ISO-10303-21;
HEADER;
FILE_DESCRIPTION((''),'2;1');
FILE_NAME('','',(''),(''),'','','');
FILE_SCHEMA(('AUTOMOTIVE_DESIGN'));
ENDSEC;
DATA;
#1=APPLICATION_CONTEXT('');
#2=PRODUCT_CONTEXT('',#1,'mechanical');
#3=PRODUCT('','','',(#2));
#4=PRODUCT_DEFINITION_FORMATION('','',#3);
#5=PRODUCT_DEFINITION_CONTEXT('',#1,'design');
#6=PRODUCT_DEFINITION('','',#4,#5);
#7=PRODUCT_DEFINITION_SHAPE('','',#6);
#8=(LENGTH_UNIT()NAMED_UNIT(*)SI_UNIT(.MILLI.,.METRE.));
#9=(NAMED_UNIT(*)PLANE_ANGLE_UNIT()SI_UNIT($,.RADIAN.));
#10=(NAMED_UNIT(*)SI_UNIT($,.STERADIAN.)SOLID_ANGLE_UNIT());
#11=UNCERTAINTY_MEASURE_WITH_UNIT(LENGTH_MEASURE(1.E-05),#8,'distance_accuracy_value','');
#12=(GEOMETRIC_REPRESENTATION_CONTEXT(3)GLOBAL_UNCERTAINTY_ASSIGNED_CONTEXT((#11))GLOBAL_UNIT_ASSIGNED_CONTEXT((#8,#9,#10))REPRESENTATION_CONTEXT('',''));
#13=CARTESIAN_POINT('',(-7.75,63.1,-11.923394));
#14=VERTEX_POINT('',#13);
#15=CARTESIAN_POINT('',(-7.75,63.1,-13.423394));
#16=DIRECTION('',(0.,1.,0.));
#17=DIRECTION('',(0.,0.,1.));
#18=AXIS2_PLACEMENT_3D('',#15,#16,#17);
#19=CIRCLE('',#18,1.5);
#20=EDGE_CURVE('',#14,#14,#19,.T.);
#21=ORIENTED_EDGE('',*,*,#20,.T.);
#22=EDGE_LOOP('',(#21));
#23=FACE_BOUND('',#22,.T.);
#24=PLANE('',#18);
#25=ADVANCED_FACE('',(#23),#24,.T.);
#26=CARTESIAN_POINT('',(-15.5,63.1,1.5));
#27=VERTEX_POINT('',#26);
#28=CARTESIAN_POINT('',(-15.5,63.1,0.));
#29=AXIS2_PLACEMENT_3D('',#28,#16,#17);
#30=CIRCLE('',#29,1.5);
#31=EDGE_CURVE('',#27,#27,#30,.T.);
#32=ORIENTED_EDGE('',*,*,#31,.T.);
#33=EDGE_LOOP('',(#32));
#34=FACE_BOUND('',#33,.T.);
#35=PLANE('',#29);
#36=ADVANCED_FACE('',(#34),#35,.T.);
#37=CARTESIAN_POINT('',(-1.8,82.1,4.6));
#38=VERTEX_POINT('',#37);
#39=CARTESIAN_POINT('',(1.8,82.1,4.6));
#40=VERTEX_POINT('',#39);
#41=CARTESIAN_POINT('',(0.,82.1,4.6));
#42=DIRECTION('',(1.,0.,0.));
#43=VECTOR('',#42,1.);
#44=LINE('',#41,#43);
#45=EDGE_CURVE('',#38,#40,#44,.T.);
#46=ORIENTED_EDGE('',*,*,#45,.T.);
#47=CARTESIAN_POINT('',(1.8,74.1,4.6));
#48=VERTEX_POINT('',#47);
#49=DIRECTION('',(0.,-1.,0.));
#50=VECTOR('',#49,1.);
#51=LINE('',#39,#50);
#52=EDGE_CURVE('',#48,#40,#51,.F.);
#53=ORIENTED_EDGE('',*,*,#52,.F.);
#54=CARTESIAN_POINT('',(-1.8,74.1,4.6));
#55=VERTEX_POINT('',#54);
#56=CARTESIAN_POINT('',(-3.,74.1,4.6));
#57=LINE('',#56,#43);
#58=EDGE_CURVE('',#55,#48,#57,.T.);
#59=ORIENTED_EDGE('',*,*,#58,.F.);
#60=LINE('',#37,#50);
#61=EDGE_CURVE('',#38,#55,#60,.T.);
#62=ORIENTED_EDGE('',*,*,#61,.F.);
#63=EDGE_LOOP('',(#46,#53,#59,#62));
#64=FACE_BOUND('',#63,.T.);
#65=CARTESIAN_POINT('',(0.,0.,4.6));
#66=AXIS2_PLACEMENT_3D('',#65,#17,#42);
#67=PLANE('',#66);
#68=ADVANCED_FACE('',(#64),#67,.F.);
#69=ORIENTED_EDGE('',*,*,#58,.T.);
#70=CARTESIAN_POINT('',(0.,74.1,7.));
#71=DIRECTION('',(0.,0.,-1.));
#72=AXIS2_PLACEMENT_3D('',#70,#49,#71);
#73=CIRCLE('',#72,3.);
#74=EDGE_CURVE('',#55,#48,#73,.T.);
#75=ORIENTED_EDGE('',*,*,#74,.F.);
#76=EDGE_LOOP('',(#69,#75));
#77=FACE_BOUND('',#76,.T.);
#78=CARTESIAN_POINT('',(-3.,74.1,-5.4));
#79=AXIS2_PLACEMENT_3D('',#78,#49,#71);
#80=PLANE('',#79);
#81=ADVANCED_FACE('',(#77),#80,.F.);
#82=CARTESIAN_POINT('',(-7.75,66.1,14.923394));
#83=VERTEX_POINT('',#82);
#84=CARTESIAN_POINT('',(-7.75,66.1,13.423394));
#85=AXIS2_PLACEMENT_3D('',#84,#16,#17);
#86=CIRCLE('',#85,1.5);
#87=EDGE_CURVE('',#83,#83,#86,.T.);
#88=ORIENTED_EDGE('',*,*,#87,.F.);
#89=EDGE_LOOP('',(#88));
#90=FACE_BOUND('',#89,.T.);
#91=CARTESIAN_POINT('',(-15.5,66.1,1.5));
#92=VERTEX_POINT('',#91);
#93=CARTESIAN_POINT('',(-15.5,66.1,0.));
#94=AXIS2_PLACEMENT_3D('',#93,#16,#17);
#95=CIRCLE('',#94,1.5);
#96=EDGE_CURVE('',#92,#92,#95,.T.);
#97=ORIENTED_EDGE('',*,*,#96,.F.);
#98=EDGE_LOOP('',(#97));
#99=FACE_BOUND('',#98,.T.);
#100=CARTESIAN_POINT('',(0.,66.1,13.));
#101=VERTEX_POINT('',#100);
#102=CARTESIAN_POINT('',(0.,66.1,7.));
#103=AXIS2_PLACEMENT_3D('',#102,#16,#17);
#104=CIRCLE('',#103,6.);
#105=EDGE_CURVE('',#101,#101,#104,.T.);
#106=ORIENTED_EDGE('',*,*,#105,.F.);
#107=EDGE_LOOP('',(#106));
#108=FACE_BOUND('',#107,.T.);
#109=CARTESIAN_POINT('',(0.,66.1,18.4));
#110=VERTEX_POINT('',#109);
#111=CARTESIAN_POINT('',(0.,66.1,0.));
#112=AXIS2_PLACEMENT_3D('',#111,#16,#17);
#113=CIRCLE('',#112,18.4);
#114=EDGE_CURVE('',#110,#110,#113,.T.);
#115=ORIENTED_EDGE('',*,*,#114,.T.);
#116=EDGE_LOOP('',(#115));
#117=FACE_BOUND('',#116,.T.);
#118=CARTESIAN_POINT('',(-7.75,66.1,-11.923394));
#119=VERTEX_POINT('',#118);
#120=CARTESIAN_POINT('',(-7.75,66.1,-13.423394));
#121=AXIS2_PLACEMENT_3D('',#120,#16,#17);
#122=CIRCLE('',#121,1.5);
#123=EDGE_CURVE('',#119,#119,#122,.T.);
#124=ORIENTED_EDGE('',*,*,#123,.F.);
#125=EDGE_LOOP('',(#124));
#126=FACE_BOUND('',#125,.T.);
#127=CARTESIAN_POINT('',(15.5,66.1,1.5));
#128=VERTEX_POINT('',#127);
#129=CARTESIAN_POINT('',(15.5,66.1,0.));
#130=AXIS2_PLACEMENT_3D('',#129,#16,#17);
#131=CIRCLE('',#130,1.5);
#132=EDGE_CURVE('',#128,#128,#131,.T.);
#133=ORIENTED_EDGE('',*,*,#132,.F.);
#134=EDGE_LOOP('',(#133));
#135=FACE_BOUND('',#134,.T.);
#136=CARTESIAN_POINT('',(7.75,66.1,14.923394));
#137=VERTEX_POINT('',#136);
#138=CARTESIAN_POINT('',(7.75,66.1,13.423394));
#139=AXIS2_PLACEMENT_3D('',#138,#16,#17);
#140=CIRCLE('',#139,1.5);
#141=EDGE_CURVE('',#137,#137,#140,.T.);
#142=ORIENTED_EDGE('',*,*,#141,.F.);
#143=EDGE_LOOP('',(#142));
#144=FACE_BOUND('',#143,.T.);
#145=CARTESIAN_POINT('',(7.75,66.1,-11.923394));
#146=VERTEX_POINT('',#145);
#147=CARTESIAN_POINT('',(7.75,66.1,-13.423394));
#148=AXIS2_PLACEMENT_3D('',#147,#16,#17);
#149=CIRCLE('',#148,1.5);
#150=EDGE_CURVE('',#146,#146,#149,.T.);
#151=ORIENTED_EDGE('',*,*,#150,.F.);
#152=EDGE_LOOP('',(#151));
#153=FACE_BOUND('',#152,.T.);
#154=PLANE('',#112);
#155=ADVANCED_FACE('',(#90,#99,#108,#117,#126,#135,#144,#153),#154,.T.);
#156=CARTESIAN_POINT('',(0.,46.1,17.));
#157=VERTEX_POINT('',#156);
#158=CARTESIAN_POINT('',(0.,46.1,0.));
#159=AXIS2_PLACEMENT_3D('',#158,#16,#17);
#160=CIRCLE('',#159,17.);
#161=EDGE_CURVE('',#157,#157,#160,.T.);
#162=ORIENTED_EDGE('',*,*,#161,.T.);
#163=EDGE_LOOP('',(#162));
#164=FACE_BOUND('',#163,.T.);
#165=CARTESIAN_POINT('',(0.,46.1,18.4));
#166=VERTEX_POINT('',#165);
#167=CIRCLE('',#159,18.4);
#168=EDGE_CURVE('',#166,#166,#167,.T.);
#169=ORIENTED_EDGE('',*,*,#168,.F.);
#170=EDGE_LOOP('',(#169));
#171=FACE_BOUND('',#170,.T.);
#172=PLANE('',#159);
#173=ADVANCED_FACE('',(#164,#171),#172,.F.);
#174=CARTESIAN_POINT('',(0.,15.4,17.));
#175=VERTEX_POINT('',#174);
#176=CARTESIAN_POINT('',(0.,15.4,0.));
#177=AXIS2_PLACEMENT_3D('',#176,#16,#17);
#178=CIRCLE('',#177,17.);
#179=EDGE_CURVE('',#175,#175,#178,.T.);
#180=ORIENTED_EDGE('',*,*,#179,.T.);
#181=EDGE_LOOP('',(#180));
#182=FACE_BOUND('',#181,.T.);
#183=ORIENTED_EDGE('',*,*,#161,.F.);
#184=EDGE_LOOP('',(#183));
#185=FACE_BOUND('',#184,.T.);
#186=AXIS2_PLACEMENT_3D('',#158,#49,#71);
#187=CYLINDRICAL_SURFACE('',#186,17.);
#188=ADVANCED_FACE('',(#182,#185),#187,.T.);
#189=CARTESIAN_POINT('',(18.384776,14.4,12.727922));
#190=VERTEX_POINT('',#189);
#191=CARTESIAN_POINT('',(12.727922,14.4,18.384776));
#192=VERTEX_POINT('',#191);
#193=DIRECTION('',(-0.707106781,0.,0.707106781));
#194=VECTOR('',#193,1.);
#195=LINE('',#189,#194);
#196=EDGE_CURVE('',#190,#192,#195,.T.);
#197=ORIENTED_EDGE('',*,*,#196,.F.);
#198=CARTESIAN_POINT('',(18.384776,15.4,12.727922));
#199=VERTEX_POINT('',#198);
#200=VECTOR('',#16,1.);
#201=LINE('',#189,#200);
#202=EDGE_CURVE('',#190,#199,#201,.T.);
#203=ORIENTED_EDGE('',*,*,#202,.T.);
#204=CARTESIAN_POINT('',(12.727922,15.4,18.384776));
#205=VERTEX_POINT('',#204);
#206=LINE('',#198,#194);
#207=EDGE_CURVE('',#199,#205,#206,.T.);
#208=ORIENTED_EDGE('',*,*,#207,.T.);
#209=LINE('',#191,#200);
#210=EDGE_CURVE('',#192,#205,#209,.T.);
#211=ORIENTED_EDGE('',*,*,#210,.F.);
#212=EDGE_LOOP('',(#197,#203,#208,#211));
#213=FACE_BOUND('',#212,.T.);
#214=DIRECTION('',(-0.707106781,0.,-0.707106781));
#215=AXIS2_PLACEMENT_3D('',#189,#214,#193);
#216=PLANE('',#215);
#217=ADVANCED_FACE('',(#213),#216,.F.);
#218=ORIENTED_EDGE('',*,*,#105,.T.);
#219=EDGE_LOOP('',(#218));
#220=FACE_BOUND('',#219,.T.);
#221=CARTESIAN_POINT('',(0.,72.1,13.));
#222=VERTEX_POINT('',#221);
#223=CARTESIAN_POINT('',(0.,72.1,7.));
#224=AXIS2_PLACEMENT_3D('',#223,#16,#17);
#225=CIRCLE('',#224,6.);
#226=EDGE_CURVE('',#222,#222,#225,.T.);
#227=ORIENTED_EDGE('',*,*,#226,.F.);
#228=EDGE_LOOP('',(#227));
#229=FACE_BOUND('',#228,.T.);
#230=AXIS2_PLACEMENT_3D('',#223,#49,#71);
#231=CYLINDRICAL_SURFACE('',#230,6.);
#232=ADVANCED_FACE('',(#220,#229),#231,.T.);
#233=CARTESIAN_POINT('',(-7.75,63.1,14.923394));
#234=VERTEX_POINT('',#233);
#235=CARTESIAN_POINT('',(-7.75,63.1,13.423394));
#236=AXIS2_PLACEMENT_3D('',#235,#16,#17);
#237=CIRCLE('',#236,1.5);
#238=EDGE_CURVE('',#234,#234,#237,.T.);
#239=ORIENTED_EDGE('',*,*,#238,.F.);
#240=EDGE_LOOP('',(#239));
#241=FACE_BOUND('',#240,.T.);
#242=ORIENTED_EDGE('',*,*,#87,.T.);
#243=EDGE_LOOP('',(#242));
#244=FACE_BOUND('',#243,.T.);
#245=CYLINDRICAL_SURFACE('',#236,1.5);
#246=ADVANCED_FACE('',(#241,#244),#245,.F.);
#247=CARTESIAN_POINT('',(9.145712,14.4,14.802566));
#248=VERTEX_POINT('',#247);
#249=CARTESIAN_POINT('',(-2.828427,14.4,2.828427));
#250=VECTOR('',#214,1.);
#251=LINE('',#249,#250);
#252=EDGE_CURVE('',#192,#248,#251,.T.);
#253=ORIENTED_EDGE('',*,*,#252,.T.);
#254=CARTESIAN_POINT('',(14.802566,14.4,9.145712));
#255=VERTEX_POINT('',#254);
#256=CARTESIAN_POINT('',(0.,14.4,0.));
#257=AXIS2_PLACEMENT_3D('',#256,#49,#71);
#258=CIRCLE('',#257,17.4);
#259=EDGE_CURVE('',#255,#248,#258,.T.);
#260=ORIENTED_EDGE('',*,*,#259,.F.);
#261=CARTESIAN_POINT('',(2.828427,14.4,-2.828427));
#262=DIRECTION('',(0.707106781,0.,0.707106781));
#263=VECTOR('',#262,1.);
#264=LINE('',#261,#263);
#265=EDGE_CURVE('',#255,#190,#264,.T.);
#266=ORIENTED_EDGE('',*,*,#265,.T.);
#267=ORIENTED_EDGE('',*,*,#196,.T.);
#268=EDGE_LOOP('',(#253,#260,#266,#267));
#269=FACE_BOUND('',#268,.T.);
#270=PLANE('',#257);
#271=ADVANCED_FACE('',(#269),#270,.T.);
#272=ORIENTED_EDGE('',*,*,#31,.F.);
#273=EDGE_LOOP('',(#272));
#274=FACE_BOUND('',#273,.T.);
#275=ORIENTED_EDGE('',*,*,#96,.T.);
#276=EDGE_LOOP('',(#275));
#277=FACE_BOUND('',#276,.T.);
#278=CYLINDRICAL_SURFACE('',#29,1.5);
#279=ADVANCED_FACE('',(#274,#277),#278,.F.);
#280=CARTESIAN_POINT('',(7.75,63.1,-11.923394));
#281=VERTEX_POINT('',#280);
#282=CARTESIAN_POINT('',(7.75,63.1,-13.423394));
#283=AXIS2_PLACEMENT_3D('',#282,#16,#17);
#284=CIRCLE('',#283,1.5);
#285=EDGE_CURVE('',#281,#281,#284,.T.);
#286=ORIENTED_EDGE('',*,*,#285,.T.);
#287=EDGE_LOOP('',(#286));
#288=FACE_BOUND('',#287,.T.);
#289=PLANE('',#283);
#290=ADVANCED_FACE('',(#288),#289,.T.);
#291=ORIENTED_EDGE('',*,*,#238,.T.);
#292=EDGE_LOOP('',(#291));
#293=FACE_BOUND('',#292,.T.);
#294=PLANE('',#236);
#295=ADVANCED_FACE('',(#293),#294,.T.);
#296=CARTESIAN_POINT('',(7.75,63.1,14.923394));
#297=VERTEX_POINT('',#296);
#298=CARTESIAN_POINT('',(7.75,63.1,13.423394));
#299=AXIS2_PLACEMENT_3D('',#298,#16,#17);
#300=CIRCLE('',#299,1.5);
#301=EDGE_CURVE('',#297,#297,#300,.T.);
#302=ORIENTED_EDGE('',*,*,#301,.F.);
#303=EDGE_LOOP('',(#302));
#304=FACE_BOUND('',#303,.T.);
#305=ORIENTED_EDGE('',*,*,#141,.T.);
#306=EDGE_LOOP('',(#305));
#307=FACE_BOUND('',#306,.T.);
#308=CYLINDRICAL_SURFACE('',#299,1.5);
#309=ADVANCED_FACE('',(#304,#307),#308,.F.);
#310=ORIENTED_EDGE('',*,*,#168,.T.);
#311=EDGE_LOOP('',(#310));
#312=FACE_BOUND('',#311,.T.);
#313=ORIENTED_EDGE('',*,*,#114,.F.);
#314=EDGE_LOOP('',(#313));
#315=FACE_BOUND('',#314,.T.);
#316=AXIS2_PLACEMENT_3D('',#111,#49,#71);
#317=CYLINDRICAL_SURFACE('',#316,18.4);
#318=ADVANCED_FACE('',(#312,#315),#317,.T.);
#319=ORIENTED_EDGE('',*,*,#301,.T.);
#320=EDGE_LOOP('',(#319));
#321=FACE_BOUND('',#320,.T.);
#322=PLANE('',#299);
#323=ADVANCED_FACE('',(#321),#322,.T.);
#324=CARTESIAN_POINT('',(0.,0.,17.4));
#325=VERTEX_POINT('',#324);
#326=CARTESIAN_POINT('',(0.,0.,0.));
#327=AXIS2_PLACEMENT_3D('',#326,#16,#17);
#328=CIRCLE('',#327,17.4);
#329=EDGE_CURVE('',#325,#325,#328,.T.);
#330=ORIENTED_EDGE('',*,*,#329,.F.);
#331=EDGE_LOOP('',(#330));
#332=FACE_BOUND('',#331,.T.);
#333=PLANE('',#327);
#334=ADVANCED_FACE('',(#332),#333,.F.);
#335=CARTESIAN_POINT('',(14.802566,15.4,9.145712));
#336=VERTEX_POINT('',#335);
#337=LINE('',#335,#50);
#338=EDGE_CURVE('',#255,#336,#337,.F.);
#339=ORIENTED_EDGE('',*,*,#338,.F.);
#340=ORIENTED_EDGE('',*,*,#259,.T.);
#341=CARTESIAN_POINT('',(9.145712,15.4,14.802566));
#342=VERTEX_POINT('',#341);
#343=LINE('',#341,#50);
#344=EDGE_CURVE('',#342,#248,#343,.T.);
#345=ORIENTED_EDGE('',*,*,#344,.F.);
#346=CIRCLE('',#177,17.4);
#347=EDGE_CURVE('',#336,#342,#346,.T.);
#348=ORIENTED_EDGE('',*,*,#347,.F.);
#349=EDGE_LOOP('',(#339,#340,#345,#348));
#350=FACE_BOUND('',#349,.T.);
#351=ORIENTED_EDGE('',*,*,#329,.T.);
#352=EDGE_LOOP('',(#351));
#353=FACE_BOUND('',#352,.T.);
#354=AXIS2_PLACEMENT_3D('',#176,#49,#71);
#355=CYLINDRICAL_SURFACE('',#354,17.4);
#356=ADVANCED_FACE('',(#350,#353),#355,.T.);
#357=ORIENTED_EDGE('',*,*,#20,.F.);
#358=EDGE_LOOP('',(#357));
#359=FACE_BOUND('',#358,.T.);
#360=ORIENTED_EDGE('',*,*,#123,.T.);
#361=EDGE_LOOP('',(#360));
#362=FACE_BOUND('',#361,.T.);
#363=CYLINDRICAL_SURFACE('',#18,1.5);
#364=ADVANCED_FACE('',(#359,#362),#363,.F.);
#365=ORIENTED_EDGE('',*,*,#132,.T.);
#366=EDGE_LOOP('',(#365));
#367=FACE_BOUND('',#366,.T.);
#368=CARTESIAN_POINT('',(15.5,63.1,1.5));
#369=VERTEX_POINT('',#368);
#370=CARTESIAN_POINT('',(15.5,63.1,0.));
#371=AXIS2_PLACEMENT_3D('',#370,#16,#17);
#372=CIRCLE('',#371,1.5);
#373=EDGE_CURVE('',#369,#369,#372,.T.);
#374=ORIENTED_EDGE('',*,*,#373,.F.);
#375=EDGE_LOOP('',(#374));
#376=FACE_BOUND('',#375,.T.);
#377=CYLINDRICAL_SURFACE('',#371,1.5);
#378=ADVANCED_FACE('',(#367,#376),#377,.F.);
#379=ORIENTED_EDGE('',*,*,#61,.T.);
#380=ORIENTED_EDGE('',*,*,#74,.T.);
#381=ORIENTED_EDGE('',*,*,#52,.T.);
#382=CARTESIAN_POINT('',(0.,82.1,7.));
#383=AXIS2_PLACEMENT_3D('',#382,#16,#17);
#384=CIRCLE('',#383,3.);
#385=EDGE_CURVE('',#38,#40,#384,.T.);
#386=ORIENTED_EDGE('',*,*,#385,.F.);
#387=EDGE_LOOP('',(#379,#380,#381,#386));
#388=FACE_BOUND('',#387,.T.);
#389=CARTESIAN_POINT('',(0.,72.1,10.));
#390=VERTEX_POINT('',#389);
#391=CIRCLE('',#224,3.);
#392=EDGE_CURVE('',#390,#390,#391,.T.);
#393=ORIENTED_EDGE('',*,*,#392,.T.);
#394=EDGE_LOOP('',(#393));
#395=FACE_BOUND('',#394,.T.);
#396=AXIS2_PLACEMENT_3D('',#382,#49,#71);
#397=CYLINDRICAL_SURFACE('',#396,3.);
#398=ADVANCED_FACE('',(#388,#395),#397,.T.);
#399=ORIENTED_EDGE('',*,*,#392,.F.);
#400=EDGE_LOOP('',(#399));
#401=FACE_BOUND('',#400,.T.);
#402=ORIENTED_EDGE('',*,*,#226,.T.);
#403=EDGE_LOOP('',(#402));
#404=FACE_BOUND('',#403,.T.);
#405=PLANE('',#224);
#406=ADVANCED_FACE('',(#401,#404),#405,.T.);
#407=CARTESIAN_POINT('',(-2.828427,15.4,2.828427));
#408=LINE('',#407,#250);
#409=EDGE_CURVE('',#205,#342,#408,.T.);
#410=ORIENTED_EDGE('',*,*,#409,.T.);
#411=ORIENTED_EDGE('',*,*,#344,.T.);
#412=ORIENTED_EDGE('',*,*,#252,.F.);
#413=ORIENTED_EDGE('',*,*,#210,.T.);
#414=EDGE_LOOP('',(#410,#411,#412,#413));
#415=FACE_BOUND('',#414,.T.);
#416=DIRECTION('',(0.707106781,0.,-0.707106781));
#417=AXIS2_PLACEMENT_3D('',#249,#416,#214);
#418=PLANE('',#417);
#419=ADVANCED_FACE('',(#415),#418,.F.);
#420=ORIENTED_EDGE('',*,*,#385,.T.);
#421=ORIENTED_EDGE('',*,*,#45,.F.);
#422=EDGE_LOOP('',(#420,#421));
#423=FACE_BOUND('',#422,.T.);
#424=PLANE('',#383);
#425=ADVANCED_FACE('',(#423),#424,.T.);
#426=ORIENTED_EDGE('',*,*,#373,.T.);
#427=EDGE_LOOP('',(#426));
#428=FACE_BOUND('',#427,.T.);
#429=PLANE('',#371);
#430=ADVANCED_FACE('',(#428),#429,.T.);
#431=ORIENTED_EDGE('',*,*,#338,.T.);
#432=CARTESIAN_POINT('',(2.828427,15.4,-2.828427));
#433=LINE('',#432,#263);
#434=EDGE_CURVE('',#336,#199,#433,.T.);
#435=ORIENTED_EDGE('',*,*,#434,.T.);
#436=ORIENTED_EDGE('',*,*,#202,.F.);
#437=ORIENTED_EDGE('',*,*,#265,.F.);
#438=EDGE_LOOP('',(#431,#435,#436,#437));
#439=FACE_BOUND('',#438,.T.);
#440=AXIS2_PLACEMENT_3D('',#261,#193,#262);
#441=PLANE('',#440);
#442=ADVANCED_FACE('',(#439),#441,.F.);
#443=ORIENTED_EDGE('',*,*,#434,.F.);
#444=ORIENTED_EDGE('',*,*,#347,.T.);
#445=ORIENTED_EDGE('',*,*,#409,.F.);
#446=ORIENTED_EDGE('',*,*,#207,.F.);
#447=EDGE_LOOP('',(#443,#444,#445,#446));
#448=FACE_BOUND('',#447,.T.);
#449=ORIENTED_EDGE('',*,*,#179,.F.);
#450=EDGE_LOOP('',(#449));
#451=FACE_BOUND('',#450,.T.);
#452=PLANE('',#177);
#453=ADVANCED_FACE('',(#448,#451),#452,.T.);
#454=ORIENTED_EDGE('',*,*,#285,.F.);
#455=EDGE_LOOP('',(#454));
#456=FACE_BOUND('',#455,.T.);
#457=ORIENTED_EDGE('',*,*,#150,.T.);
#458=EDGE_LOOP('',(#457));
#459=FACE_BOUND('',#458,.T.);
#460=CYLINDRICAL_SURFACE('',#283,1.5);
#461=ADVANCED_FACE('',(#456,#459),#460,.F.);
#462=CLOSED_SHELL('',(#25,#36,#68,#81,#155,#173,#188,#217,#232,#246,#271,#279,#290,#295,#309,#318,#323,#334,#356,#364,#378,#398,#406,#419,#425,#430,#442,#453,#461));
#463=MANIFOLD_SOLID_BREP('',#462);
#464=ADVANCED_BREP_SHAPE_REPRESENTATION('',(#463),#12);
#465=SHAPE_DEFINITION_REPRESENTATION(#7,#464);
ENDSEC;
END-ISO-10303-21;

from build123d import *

# Parameters (mm, degrees)
SKETCH1_R           = 17.4
BOSS_EXTRUDE1_DEPTH = 15.4
SKETCH6_R           = 17
BOSS_EXTRUDE5_DEPTH = 30.7
SKETCH7_R           = 18.4
BOSS_EXTRUDE6_DEPTH = 20
SKETCH2_R           = 6
BOSS_EXTRUDE2_DEPTH = 6
SKETCH3_R           = 3
BOSS_EXTRUDE4_DEPTH = 10
SKETCH4_W           = 6
SKETCH4_H           = 8
CUT_EXTRUDE1_DEPTH  = 10
BOSS_EXTRUDE7_DEPTH = 1
SKETCH5_R           = 1.5
CUT_EXTRUDE2_DEPTH  = 3


with BuildPart() as part:
    # Sketch1 → Boss-Extrude1 (new body)
    with BuildSketch(Plane(origin=(0, 0, 0), x_dir=(1, 0, 0), z_dir=(0, 1, 0))):
        Circle(SKETCH1_R)
    extrude(amount=BOSS_EXTRUDE1_DEPTH)

    # Sketch6 → Boss-Extrude5 (add)
    with BuildSketch(Plane(origin=(0, 15.4, 0), x_dir=(1, 0, 0), z_dir=(0, 1, 0))):
        Circle(SKETCH6_R)
    extrude(amount=BOSS_EXTRUDE5_DEPTH)

    # Sketch7 → Boss-Extrude6 (add)
    with BuildSketch(Plane(origin=(0, 46.1, 0), x_dir=(1, 0, 0), z_dir=(0, 1, 0))):
        Circle(SKETCH7_R)
    extrude(amount=BOSS_EXTRUDE6_DEPTH)

    # Sketch2 → Boss-Extrude2 (add)
    with BuildSketch(Plane(origin=(0, 66.1, 0), x_dir=(1, 0, 0), z_dir=(0, 1, 0))):
        with Locations((0, -7)):
            Circle(SKETCH2_R)
    extrude(amount=BOSS_EXTRUDE2_DEPTH)

    # Sketch3 → Boss-Extrude4 (add)
    with BuildSketch(Plane(origin=(0, 72.1, 0), x_dir=(1, 0, 0), z_dir=(0, 1, 0))):
        with Locations((0, -7)):
            Circle(SKETCH3_R)
    extrude(amount=BOSS_EXTRUDE4_DEPTH)

    # Sketch4 → Cut-Extrude1 (cut)
    with BuildSketch(Plane.XY.offset(4.6)):
        with Locations((0, 78.1)):
            Rectangle(SKETCH4_W, SKETCH4_H)
    extrude(amount=-CUT_EXTRUDE1_DEPTH, mode=Mode.SUBTRACT)

    # Sketch8 → Boss-Extrude7 (add)
    with BuildSketch(Plane.XZ.offset(-15.4)):
        Polygon((2.828427125, -2.828427125), (-2.828427125, 2.828427125), (12.727922061, 18.384776311), (18.384776311, 12.727922061), align=None)
    extrude(amount=BOSS_EXTRUDE7_DEPTH)

    # Sketch5 → Cut-Extrude2 (cut)
    with BuildSketch(Plane(origin=(0, 66.1, 0), x_dir=(1, 0, 0), z_dir=(0, 1, 0))):
        with Locations((-7.75, 13.423393759)):
            Circle(SKETCH5_R)
        with Locations((7.75, 13.423393759)):
            Circle(SKETCH5_R)
        with Locations((-15.5, 0)):
            Circle(SKETCH5_R)
        with Locations((15.5, 0)):
            Circle(SKETCH5_R)
        with Locations((7.75, -13.423393759)):
            Circle(SKETCH5_R)
        with Locations((-7.75, -13.423393759)):
            Circle(SKETCH5_R)
    extrude(amount=-CUT_EXTRUDE2_DEPTH, mode=Mode.SUBTRACT)


solid = part.part
